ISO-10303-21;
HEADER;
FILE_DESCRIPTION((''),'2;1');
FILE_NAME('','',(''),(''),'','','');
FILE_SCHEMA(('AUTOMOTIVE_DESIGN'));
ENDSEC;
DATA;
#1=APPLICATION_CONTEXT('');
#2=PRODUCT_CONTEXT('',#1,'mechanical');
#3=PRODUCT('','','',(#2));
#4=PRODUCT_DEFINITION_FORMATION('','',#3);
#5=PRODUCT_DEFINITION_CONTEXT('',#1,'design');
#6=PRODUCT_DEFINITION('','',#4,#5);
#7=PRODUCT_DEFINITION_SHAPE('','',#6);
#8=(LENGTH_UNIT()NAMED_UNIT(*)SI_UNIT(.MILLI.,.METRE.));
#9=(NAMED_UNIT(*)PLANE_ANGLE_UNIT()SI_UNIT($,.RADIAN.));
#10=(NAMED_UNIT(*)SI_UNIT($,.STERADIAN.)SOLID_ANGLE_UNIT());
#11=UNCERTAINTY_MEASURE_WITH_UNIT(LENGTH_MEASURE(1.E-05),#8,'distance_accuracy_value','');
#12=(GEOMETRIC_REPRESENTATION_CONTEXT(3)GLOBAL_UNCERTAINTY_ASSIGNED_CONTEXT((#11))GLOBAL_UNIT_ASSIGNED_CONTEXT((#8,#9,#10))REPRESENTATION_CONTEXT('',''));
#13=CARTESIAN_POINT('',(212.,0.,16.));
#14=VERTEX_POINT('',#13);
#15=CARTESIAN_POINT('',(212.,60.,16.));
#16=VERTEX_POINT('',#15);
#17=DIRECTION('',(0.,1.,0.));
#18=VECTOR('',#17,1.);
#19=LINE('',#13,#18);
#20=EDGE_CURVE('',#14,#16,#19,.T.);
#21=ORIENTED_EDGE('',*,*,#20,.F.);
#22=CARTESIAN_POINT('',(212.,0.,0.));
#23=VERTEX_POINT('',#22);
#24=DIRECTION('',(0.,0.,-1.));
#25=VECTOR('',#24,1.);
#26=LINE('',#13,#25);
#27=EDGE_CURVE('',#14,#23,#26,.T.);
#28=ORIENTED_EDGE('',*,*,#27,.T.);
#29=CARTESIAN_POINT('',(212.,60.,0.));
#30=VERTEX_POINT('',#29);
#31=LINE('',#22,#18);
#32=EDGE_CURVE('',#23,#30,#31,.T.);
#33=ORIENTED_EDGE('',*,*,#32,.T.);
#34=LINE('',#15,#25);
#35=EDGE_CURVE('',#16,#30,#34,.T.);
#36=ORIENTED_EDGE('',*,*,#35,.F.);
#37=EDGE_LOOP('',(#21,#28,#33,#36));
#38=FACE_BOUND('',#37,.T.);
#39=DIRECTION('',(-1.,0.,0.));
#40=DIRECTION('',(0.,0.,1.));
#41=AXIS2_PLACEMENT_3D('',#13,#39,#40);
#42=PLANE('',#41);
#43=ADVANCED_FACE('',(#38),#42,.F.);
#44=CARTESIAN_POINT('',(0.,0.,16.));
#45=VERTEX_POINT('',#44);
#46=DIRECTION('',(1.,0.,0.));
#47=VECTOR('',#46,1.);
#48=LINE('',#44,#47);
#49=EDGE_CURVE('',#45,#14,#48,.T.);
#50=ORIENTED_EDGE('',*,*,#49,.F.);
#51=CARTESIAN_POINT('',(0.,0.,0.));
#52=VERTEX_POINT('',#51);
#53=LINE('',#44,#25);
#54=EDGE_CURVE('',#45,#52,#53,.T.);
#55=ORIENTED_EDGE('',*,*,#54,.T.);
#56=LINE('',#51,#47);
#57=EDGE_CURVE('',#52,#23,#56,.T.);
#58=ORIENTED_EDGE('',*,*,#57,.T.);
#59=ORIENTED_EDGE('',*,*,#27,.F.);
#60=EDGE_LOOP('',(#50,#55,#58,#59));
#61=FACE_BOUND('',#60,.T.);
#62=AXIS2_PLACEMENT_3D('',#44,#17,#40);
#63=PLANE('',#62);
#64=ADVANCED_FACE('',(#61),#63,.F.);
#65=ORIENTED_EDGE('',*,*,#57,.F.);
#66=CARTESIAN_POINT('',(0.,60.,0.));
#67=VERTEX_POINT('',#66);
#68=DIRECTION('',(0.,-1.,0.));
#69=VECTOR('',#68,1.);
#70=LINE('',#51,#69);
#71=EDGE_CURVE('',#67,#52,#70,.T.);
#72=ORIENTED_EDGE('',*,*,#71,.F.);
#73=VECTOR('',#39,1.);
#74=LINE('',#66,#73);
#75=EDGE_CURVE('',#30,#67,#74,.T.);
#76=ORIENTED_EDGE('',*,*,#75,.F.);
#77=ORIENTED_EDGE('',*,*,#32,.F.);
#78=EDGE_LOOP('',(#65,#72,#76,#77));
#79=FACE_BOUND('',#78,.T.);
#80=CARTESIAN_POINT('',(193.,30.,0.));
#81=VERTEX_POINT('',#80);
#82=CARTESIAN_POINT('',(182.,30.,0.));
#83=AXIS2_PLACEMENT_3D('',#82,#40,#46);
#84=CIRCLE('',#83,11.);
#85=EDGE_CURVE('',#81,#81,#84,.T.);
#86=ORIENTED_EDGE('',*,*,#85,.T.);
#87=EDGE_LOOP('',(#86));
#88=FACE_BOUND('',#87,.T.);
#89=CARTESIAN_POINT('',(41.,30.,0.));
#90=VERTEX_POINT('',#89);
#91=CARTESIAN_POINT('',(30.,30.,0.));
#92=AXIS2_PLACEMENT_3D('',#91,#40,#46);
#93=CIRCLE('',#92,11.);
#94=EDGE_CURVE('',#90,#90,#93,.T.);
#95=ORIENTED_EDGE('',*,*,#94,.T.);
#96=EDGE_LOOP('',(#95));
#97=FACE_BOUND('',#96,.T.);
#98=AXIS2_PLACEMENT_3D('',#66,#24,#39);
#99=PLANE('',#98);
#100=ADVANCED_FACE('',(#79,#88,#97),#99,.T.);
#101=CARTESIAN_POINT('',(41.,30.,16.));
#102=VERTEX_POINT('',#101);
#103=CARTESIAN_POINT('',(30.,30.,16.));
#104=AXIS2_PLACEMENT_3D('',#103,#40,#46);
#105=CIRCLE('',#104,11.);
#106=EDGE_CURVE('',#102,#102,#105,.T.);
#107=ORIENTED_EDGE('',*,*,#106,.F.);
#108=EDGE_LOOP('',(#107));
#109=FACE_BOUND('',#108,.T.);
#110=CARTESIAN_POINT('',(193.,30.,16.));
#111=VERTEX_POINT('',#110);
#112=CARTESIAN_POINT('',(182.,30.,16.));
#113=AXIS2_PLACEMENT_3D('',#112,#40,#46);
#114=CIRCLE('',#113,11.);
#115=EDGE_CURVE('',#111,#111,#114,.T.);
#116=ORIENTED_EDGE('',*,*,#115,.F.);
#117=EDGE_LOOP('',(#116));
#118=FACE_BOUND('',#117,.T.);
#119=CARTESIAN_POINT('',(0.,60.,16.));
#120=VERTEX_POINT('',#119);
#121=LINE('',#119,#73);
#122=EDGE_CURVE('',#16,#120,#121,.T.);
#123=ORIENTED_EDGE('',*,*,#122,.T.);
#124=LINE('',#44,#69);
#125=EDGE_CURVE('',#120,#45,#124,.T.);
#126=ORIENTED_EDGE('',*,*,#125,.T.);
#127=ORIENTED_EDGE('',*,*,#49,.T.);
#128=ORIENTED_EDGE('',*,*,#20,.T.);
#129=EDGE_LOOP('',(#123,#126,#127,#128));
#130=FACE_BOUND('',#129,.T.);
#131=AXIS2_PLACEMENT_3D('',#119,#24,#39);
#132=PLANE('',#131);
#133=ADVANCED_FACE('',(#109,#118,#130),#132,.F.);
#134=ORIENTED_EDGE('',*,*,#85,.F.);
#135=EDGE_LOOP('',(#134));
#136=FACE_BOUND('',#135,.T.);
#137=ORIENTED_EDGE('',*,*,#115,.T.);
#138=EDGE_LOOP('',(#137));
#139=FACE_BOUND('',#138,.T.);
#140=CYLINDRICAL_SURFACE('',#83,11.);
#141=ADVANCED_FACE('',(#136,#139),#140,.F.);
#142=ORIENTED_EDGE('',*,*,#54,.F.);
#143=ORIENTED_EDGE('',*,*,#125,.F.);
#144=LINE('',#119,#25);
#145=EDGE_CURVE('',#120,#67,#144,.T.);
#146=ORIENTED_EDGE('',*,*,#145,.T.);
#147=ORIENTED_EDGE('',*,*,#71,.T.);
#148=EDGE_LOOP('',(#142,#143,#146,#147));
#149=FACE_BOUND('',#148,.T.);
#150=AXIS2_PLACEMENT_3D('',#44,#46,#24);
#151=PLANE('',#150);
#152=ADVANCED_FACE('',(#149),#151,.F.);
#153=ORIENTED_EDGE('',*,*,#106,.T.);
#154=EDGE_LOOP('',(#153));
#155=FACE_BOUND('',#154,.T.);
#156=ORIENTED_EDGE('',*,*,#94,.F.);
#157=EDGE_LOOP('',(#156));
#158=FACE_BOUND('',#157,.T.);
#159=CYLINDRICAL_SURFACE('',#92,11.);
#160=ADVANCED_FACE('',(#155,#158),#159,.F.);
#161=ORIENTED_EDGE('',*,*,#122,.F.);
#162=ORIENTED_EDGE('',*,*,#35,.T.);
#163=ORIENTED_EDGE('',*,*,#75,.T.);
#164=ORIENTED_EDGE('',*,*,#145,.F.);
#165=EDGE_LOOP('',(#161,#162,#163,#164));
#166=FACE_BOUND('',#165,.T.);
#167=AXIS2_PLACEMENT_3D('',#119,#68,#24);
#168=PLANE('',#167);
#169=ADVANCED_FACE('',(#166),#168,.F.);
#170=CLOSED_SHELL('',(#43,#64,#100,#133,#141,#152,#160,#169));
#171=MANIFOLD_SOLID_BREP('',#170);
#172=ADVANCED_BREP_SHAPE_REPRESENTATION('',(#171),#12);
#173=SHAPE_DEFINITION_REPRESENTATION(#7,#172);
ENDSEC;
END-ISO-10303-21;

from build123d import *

# Parameters (mm, degrees)
SKETCH_1_W          = 212
SKETCH_1_H          = 60
EXTRUDE_1_DEPTH     = 16
SKETCH_2_R          = 11
CUT_EXTRUDE_2_DEPTH = 221.907220344


with BuildPart() as part:
    # 草图1 → 拉伸1 (new body)
    with BuildSketch(Plane.XY):
        with Locations((106, 30)):
            Rectangle(SKETCH_1_W, SKETCH_1_H)
    extrude(amount=EXTRUDE_1_DEPTH)

    # 草图2 → 拉伸2 (cut, through all)
    with BuildSketch(Plane.XY.offset(16)):
        with Locations((30, 30)):
            Circle(SKETCH_2_R)
        with Locations((182, 30)):
            Circle(SKETCH_2_R)
    extrude(amount=-CUT_EXTRUDE_2_DEPTH, mode=Mode.SUBTRACT)


solid = part.part
